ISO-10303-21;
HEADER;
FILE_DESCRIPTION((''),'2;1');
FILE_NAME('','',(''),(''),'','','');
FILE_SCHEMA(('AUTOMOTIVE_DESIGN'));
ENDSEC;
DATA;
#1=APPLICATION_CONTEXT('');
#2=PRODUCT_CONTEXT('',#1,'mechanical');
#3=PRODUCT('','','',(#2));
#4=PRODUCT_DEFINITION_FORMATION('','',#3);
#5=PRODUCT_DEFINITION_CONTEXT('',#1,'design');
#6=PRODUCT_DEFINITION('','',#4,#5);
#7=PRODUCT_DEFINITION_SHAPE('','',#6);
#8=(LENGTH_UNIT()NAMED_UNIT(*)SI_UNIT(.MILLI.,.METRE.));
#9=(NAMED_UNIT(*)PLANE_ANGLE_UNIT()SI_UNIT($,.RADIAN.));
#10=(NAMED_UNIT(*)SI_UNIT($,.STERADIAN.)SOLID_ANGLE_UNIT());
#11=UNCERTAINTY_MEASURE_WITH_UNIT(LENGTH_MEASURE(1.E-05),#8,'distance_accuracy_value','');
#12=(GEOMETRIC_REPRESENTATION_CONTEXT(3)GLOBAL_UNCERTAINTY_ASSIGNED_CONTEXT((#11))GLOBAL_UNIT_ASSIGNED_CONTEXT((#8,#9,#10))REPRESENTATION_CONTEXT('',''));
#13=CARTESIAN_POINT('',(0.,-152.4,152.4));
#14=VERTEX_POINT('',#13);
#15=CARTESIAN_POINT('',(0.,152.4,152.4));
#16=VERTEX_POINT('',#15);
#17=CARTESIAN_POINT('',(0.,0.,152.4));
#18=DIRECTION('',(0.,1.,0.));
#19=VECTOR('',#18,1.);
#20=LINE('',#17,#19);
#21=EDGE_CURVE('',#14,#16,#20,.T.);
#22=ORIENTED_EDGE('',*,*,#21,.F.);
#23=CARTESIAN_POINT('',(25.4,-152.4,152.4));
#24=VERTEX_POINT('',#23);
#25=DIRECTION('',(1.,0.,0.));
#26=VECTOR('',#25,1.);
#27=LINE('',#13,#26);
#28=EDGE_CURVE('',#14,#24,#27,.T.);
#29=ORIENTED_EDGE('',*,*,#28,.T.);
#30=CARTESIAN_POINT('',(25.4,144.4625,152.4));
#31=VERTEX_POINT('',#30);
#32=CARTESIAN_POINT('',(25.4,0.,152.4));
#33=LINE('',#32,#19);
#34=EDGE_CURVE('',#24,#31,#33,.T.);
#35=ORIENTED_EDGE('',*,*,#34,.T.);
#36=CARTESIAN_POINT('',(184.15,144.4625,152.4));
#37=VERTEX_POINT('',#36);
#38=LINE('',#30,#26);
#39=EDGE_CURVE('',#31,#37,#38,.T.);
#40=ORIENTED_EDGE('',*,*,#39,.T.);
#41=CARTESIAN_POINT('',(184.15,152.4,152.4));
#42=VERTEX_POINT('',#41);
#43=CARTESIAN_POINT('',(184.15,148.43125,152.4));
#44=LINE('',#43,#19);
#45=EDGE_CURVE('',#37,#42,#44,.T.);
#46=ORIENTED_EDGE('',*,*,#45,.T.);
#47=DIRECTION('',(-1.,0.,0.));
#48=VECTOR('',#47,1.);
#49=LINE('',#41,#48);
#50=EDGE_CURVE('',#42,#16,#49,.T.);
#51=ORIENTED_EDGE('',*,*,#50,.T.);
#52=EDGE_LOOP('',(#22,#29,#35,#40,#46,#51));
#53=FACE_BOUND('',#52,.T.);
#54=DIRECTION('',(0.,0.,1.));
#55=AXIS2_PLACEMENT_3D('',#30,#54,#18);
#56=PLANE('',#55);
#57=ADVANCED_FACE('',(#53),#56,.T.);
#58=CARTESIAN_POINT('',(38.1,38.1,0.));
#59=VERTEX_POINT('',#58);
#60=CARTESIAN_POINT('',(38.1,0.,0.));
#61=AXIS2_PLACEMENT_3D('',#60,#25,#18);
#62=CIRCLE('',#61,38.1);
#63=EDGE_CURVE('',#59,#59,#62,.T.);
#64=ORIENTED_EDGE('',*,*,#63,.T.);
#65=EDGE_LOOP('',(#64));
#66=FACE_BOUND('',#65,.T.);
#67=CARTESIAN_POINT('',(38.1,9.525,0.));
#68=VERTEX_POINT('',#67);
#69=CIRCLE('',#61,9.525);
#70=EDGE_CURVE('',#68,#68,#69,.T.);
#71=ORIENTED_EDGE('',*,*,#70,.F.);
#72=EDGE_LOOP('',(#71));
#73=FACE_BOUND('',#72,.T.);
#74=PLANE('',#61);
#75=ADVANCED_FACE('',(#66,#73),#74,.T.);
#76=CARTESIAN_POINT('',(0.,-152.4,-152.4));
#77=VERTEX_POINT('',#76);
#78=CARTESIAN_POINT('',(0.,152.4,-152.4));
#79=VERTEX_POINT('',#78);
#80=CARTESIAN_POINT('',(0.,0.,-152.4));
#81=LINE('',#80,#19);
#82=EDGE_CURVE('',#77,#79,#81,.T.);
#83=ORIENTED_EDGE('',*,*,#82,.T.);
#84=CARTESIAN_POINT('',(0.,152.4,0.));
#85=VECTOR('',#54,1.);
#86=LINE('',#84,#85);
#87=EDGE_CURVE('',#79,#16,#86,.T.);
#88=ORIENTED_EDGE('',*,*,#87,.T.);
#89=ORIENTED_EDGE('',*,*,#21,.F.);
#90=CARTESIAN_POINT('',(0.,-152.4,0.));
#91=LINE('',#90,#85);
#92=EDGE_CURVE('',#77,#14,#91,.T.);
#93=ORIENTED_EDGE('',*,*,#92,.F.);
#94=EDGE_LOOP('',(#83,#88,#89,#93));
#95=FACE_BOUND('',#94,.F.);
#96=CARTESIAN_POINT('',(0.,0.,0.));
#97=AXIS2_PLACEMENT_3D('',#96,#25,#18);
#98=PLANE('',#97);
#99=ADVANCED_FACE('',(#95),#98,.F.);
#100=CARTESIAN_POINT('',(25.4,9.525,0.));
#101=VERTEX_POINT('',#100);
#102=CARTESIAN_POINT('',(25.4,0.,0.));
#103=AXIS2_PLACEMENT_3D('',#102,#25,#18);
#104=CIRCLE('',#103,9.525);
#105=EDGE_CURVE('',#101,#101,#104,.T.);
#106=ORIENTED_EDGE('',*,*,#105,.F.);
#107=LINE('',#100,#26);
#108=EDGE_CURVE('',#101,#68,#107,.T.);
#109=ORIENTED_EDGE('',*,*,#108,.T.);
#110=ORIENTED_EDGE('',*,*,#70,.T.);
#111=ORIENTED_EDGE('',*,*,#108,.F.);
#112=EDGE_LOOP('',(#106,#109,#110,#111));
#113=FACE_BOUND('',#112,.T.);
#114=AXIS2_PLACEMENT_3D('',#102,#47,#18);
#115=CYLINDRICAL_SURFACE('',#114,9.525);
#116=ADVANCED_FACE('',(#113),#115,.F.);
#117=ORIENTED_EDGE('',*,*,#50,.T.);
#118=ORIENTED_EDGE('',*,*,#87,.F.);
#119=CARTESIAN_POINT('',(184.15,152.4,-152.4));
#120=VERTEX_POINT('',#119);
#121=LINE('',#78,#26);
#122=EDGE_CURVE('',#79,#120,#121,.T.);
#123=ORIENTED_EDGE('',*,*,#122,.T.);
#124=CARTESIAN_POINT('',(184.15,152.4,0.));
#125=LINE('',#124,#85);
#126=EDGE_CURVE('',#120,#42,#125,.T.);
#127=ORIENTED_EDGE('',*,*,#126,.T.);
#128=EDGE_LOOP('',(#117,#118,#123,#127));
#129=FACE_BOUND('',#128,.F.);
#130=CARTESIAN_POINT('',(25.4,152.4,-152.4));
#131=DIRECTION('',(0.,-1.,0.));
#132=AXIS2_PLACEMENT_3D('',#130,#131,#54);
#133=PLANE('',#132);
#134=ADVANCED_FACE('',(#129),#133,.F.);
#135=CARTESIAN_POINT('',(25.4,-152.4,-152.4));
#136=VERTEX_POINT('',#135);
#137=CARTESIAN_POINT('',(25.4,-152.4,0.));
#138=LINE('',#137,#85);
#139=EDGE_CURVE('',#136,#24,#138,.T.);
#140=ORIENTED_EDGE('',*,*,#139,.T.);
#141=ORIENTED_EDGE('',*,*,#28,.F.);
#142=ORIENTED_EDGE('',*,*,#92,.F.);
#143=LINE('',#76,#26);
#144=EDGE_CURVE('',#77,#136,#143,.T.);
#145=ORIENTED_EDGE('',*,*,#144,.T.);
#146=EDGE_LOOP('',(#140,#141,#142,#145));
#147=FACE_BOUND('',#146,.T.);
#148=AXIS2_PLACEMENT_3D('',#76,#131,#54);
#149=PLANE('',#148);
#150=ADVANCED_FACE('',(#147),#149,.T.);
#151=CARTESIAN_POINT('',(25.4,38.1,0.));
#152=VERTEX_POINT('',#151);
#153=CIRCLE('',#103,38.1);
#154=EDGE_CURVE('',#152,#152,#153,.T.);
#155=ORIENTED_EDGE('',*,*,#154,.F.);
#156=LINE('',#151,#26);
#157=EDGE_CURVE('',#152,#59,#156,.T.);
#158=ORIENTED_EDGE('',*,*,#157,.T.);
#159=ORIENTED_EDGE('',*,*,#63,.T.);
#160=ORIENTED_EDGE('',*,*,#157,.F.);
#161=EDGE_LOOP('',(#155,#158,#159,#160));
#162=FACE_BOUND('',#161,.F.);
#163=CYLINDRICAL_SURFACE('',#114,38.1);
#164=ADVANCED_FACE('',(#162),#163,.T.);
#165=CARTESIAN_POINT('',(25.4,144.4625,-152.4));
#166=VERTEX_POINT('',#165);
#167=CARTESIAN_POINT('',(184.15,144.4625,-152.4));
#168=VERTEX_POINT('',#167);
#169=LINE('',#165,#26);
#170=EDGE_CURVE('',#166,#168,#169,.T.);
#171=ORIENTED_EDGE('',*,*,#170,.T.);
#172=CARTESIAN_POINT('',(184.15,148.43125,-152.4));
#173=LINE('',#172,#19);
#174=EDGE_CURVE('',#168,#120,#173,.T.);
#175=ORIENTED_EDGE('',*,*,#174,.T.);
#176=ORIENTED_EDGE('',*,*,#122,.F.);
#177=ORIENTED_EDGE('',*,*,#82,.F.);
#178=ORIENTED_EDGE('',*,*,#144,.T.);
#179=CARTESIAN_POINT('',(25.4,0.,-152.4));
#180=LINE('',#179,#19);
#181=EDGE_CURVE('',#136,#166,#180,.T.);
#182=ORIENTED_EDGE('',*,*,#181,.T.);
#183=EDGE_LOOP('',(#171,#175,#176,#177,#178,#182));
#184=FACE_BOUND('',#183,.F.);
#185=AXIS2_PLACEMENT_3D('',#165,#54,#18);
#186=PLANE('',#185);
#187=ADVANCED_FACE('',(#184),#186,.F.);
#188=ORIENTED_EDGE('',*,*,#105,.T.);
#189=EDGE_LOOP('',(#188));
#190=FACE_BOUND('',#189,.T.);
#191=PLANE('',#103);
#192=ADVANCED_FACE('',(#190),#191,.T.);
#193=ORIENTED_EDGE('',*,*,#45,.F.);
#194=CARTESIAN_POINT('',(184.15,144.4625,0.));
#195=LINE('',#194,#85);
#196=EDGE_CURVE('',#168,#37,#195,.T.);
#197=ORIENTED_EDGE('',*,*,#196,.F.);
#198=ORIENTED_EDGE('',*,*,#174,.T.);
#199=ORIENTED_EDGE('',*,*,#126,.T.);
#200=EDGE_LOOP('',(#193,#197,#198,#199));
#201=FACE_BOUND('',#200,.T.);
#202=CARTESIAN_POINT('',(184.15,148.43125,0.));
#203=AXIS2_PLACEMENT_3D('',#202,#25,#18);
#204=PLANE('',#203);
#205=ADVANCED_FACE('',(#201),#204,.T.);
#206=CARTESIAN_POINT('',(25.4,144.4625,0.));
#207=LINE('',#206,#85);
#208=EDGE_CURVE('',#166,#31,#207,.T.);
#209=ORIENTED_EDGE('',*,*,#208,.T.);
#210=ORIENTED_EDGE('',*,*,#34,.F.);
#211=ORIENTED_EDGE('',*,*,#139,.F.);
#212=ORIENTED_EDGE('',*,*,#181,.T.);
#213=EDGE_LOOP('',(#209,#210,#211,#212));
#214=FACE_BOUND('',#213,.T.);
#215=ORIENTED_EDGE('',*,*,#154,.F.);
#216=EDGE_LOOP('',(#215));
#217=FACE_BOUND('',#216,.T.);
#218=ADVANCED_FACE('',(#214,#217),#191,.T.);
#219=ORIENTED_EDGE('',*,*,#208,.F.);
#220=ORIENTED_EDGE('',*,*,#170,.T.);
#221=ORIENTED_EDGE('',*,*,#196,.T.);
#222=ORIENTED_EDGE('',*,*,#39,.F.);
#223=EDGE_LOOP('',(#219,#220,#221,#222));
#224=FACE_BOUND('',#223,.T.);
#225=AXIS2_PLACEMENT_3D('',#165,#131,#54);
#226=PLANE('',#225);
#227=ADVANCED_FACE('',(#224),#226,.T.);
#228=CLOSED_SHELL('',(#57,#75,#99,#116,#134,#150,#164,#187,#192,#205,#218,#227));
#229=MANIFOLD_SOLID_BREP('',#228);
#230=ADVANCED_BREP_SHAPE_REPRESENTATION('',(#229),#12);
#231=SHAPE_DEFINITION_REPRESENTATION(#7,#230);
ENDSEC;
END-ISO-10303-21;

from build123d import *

# Parameters (mm, degrees)
F0_W     = 304.8
F0_H     = 304.8
F1_DEPTH = 25.4
F2_W     = 7.9375
F2_H     = 304.8
F3_DEPTH = 158.75
F4_R     = 38.1
F5_DEPTH = 12.7
F6_R     = 9.525
F7_DEPTH = 12.7


with BuildPart() as f1:
    # F0 (on Right) → F1 (new body)
    with BuildSketch(Plane.YZ):
        Rectangle(F0_W, F0_H)
    extrude(amount=F1_DEPTH)

    # F2 (on face) → F3 (join)
    with BuildSketch(Plane.YZ.offset(25.4)):
        with Locations((148.43125, 0)):
            Rectangle(F2_W, F2_H)
    extrude(amount=F3_DEPTH)

    # F4 (on face) → F5 (join)
    with BuildSketch(Plane.YZ.offset(25.4)):
        Circle(F4_R)
    extrude(amount=F5_DEPTH)

    # F6 (on face) → F7 (cut)
    with BuildSketch(Plane.YZ.offset(25.4)):
        Circle(F6_R)
    extrude(amount=F7_DEPTH, mode=Mode.SUBTRACT)


solid = f1.part
